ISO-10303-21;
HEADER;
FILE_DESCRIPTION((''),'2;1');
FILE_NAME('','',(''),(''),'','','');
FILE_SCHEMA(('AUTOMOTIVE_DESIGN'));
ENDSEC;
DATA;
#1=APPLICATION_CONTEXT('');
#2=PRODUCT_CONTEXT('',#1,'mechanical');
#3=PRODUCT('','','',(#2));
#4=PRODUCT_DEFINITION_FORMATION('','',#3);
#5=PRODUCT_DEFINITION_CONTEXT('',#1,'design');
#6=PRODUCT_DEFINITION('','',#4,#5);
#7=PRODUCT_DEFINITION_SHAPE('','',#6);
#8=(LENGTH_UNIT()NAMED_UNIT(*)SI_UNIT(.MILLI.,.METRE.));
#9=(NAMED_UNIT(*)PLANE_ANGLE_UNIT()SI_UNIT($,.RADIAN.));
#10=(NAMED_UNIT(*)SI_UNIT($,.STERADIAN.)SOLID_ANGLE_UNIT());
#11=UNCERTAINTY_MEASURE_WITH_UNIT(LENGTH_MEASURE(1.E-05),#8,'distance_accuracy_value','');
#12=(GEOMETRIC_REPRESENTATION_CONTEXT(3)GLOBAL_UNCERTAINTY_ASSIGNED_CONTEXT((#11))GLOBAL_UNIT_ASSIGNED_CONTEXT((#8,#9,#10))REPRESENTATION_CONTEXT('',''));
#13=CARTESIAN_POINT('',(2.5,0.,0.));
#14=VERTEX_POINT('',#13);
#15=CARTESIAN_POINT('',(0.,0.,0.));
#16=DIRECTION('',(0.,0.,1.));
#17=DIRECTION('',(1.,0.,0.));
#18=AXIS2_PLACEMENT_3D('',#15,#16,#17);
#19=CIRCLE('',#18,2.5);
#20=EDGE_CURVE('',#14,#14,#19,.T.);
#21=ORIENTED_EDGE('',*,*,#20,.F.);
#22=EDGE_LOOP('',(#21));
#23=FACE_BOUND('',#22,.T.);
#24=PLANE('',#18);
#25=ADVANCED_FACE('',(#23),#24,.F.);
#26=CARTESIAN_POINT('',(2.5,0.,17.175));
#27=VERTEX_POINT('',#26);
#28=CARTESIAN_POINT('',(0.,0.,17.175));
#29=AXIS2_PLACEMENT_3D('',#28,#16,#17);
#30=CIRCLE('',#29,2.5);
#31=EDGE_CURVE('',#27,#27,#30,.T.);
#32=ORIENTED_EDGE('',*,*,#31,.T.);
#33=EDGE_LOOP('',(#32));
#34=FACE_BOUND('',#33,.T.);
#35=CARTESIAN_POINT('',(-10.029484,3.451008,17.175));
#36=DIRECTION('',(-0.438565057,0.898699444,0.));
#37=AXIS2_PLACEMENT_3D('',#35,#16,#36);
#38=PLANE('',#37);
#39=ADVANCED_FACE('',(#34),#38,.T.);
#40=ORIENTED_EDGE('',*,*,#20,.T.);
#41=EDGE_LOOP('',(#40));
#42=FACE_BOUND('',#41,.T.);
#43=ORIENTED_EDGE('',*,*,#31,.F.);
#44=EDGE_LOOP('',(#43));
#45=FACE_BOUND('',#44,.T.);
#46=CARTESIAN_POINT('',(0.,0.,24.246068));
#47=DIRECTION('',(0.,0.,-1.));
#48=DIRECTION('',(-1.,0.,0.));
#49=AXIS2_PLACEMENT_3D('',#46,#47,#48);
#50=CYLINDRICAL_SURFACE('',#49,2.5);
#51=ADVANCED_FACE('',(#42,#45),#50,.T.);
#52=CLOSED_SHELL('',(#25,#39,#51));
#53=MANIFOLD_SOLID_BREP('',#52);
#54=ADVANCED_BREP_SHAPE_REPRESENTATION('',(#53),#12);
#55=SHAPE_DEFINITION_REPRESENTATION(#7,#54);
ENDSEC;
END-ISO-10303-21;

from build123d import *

# Parameters (mm, degrees)
SKETCH1_R           = 2.5
BOSS_EXTRUDE1_DEPTH = 17.175


with BuildPart() as part:
    # Sketch1 → Boss-Extrude1 (new body)
    with BuildSketch(Plane.XY):
        Circle(SKETCH1_R)
    extrude(amount=BOSS_EXTRUDE1_DEPTH)


solid = part.part
